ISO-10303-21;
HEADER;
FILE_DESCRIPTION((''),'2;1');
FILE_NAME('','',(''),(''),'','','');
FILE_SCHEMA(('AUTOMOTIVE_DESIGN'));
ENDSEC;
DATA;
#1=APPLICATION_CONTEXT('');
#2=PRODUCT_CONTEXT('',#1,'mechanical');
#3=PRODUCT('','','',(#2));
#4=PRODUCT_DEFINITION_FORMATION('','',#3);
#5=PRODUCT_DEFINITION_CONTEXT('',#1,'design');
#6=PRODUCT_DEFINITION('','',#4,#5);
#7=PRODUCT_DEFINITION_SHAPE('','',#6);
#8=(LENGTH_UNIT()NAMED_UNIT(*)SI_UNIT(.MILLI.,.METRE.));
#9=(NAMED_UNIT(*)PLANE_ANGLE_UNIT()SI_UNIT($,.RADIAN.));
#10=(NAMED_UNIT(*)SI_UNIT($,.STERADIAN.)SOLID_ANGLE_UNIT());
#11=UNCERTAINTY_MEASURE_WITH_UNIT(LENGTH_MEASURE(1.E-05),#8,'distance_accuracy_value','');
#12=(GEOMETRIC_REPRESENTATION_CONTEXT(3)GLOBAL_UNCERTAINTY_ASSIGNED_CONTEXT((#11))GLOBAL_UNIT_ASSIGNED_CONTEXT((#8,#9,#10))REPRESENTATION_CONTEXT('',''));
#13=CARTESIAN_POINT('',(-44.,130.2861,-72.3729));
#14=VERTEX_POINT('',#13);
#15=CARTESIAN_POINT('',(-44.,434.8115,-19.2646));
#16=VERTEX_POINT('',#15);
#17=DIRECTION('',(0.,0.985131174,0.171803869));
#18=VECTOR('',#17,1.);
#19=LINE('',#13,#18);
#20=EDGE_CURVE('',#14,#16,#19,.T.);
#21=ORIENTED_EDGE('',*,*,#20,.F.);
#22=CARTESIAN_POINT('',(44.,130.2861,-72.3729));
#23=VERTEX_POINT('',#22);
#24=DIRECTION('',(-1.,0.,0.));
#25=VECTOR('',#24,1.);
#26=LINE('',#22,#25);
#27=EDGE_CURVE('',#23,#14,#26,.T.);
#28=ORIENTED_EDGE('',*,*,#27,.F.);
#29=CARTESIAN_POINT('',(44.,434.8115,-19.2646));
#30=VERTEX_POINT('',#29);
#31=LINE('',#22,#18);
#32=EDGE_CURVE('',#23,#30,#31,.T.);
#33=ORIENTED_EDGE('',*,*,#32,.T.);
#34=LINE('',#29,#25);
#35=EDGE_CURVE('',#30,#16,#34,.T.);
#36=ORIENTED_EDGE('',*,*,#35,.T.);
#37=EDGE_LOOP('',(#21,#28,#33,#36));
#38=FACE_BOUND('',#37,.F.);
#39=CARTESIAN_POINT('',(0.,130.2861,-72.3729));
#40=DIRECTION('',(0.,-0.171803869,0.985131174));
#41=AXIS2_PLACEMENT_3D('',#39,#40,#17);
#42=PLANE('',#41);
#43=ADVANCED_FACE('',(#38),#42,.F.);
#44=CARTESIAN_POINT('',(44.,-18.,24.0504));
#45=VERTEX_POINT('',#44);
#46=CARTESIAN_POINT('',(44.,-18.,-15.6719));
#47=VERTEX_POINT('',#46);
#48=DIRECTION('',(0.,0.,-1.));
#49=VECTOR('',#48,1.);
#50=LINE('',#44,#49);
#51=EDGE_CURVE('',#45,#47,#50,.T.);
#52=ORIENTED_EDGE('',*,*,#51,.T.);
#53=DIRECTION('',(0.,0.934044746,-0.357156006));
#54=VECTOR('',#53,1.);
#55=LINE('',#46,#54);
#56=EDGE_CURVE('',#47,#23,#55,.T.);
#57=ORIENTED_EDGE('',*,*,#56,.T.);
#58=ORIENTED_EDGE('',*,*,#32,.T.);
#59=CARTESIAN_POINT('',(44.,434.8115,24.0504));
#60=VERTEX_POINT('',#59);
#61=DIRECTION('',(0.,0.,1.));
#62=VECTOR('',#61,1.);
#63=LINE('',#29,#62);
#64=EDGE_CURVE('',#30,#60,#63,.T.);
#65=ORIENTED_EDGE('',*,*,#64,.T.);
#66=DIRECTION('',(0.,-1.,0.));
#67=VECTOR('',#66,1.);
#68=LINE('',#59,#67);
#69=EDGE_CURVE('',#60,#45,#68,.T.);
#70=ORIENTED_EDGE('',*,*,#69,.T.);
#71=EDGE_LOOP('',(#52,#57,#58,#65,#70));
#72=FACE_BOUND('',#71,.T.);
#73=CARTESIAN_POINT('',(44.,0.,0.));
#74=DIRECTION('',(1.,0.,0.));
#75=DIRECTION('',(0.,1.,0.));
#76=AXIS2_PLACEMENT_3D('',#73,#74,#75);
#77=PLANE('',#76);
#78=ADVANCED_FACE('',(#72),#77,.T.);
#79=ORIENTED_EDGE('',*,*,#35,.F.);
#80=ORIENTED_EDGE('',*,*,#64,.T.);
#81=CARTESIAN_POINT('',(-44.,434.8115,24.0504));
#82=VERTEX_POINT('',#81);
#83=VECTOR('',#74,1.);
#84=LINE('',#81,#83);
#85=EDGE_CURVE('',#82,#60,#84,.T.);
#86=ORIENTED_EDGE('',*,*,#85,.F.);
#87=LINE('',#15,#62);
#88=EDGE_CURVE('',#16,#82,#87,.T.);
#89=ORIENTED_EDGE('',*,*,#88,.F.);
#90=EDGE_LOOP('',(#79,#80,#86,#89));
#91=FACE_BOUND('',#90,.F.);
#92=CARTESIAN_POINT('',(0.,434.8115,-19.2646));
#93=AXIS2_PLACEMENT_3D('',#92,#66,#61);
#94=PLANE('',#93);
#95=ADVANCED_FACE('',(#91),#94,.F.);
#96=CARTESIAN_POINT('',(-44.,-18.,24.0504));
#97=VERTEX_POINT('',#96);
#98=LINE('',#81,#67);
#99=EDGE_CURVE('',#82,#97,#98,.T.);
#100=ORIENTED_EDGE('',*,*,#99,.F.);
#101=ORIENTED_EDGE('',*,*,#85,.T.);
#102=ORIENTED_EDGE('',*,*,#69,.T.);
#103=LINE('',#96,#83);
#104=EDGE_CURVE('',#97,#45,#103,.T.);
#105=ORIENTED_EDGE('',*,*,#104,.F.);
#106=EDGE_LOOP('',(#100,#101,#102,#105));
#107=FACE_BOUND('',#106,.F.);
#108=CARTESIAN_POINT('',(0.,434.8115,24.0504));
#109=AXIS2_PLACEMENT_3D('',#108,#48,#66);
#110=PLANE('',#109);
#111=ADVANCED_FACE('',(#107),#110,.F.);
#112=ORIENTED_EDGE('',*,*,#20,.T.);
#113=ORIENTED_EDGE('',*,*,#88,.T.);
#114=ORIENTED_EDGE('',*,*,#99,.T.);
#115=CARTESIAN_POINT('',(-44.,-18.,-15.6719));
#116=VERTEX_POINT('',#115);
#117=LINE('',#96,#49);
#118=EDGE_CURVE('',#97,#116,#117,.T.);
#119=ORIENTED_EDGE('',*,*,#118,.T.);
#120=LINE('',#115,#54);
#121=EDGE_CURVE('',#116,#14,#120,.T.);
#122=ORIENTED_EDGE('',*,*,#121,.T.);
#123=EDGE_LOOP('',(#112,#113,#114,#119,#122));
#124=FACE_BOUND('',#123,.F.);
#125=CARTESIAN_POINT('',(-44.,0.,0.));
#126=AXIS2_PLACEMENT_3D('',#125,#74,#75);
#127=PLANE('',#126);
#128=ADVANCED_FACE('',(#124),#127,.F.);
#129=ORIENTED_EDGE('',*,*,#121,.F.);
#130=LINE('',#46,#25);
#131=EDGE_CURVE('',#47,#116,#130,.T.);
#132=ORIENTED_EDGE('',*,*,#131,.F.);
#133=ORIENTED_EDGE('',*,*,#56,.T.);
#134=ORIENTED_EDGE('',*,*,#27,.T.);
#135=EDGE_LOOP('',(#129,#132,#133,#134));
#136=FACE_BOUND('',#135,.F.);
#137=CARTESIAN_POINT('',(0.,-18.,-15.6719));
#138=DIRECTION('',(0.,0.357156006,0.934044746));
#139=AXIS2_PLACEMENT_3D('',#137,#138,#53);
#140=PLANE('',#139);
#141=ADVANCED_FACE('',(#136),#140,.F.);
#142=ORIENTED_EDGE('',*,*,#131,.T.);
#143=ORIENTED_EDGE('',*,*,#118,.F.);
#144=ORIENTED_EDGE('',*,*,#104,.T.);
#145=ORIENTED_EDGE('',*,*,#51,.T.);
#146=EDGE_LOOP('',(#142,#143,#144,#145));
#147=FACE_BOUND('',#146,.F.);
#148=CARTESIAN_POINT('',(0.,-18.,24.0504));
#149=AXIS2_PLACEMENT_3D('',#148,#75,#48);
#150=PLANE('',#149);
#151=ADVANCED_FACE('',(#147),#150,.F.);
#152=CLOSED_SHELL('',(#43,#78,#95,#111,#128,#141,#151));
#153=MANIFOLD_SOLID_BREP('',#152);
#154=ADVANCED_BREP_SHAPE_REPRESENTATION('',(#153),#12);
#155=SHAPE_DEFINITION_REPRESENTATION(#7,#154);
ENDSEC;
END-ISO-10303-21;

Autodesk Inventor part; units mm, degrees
ref_plane "XZ Plane" through (0, 0, 0) normal (0, 1, 0) x (-1, 0, 0)
sketch "BoundingBox" plane through (0, 0, 0) normal (1, 0, 0) x (0, 1, 0)
  line L0 (434.8115, 24.0504) -> (-18, 24.0504)
  line L1 (-18, 24.0504) -> (-18, -15.6719)
  line L2 (-18, -15.6719) -> (130.2861, -72.3729)
  line L3 (130.2861, -72.3729) -> (434.8115, -19.2646)
  line L4 (434.8115, -19.2646) -> (434.8115, 24.0504)
  point P0 (0, 0)
  point P1 (417.3115, 0.6447)
  point P2 (-18, 4.1892)
  dimension "d5" = 24.0504
  dimension "d6" = 4.1893
  dimension "d7" = 110.926
  dimension "d8" = 452.8115
  dimension "d9" = 39.7223
  dimension "d10" = 43.315
  dimension "d11" = 99.893
  dimension "d12" = 56.7009
  dimension "d13" = 17.5
  dimension "d14" = 23.4057
extrude "BoundingBoxFeature" add sketch "BoundingBox" along normal mid plane 88
properties part number "UpperArmBoundingBox"
